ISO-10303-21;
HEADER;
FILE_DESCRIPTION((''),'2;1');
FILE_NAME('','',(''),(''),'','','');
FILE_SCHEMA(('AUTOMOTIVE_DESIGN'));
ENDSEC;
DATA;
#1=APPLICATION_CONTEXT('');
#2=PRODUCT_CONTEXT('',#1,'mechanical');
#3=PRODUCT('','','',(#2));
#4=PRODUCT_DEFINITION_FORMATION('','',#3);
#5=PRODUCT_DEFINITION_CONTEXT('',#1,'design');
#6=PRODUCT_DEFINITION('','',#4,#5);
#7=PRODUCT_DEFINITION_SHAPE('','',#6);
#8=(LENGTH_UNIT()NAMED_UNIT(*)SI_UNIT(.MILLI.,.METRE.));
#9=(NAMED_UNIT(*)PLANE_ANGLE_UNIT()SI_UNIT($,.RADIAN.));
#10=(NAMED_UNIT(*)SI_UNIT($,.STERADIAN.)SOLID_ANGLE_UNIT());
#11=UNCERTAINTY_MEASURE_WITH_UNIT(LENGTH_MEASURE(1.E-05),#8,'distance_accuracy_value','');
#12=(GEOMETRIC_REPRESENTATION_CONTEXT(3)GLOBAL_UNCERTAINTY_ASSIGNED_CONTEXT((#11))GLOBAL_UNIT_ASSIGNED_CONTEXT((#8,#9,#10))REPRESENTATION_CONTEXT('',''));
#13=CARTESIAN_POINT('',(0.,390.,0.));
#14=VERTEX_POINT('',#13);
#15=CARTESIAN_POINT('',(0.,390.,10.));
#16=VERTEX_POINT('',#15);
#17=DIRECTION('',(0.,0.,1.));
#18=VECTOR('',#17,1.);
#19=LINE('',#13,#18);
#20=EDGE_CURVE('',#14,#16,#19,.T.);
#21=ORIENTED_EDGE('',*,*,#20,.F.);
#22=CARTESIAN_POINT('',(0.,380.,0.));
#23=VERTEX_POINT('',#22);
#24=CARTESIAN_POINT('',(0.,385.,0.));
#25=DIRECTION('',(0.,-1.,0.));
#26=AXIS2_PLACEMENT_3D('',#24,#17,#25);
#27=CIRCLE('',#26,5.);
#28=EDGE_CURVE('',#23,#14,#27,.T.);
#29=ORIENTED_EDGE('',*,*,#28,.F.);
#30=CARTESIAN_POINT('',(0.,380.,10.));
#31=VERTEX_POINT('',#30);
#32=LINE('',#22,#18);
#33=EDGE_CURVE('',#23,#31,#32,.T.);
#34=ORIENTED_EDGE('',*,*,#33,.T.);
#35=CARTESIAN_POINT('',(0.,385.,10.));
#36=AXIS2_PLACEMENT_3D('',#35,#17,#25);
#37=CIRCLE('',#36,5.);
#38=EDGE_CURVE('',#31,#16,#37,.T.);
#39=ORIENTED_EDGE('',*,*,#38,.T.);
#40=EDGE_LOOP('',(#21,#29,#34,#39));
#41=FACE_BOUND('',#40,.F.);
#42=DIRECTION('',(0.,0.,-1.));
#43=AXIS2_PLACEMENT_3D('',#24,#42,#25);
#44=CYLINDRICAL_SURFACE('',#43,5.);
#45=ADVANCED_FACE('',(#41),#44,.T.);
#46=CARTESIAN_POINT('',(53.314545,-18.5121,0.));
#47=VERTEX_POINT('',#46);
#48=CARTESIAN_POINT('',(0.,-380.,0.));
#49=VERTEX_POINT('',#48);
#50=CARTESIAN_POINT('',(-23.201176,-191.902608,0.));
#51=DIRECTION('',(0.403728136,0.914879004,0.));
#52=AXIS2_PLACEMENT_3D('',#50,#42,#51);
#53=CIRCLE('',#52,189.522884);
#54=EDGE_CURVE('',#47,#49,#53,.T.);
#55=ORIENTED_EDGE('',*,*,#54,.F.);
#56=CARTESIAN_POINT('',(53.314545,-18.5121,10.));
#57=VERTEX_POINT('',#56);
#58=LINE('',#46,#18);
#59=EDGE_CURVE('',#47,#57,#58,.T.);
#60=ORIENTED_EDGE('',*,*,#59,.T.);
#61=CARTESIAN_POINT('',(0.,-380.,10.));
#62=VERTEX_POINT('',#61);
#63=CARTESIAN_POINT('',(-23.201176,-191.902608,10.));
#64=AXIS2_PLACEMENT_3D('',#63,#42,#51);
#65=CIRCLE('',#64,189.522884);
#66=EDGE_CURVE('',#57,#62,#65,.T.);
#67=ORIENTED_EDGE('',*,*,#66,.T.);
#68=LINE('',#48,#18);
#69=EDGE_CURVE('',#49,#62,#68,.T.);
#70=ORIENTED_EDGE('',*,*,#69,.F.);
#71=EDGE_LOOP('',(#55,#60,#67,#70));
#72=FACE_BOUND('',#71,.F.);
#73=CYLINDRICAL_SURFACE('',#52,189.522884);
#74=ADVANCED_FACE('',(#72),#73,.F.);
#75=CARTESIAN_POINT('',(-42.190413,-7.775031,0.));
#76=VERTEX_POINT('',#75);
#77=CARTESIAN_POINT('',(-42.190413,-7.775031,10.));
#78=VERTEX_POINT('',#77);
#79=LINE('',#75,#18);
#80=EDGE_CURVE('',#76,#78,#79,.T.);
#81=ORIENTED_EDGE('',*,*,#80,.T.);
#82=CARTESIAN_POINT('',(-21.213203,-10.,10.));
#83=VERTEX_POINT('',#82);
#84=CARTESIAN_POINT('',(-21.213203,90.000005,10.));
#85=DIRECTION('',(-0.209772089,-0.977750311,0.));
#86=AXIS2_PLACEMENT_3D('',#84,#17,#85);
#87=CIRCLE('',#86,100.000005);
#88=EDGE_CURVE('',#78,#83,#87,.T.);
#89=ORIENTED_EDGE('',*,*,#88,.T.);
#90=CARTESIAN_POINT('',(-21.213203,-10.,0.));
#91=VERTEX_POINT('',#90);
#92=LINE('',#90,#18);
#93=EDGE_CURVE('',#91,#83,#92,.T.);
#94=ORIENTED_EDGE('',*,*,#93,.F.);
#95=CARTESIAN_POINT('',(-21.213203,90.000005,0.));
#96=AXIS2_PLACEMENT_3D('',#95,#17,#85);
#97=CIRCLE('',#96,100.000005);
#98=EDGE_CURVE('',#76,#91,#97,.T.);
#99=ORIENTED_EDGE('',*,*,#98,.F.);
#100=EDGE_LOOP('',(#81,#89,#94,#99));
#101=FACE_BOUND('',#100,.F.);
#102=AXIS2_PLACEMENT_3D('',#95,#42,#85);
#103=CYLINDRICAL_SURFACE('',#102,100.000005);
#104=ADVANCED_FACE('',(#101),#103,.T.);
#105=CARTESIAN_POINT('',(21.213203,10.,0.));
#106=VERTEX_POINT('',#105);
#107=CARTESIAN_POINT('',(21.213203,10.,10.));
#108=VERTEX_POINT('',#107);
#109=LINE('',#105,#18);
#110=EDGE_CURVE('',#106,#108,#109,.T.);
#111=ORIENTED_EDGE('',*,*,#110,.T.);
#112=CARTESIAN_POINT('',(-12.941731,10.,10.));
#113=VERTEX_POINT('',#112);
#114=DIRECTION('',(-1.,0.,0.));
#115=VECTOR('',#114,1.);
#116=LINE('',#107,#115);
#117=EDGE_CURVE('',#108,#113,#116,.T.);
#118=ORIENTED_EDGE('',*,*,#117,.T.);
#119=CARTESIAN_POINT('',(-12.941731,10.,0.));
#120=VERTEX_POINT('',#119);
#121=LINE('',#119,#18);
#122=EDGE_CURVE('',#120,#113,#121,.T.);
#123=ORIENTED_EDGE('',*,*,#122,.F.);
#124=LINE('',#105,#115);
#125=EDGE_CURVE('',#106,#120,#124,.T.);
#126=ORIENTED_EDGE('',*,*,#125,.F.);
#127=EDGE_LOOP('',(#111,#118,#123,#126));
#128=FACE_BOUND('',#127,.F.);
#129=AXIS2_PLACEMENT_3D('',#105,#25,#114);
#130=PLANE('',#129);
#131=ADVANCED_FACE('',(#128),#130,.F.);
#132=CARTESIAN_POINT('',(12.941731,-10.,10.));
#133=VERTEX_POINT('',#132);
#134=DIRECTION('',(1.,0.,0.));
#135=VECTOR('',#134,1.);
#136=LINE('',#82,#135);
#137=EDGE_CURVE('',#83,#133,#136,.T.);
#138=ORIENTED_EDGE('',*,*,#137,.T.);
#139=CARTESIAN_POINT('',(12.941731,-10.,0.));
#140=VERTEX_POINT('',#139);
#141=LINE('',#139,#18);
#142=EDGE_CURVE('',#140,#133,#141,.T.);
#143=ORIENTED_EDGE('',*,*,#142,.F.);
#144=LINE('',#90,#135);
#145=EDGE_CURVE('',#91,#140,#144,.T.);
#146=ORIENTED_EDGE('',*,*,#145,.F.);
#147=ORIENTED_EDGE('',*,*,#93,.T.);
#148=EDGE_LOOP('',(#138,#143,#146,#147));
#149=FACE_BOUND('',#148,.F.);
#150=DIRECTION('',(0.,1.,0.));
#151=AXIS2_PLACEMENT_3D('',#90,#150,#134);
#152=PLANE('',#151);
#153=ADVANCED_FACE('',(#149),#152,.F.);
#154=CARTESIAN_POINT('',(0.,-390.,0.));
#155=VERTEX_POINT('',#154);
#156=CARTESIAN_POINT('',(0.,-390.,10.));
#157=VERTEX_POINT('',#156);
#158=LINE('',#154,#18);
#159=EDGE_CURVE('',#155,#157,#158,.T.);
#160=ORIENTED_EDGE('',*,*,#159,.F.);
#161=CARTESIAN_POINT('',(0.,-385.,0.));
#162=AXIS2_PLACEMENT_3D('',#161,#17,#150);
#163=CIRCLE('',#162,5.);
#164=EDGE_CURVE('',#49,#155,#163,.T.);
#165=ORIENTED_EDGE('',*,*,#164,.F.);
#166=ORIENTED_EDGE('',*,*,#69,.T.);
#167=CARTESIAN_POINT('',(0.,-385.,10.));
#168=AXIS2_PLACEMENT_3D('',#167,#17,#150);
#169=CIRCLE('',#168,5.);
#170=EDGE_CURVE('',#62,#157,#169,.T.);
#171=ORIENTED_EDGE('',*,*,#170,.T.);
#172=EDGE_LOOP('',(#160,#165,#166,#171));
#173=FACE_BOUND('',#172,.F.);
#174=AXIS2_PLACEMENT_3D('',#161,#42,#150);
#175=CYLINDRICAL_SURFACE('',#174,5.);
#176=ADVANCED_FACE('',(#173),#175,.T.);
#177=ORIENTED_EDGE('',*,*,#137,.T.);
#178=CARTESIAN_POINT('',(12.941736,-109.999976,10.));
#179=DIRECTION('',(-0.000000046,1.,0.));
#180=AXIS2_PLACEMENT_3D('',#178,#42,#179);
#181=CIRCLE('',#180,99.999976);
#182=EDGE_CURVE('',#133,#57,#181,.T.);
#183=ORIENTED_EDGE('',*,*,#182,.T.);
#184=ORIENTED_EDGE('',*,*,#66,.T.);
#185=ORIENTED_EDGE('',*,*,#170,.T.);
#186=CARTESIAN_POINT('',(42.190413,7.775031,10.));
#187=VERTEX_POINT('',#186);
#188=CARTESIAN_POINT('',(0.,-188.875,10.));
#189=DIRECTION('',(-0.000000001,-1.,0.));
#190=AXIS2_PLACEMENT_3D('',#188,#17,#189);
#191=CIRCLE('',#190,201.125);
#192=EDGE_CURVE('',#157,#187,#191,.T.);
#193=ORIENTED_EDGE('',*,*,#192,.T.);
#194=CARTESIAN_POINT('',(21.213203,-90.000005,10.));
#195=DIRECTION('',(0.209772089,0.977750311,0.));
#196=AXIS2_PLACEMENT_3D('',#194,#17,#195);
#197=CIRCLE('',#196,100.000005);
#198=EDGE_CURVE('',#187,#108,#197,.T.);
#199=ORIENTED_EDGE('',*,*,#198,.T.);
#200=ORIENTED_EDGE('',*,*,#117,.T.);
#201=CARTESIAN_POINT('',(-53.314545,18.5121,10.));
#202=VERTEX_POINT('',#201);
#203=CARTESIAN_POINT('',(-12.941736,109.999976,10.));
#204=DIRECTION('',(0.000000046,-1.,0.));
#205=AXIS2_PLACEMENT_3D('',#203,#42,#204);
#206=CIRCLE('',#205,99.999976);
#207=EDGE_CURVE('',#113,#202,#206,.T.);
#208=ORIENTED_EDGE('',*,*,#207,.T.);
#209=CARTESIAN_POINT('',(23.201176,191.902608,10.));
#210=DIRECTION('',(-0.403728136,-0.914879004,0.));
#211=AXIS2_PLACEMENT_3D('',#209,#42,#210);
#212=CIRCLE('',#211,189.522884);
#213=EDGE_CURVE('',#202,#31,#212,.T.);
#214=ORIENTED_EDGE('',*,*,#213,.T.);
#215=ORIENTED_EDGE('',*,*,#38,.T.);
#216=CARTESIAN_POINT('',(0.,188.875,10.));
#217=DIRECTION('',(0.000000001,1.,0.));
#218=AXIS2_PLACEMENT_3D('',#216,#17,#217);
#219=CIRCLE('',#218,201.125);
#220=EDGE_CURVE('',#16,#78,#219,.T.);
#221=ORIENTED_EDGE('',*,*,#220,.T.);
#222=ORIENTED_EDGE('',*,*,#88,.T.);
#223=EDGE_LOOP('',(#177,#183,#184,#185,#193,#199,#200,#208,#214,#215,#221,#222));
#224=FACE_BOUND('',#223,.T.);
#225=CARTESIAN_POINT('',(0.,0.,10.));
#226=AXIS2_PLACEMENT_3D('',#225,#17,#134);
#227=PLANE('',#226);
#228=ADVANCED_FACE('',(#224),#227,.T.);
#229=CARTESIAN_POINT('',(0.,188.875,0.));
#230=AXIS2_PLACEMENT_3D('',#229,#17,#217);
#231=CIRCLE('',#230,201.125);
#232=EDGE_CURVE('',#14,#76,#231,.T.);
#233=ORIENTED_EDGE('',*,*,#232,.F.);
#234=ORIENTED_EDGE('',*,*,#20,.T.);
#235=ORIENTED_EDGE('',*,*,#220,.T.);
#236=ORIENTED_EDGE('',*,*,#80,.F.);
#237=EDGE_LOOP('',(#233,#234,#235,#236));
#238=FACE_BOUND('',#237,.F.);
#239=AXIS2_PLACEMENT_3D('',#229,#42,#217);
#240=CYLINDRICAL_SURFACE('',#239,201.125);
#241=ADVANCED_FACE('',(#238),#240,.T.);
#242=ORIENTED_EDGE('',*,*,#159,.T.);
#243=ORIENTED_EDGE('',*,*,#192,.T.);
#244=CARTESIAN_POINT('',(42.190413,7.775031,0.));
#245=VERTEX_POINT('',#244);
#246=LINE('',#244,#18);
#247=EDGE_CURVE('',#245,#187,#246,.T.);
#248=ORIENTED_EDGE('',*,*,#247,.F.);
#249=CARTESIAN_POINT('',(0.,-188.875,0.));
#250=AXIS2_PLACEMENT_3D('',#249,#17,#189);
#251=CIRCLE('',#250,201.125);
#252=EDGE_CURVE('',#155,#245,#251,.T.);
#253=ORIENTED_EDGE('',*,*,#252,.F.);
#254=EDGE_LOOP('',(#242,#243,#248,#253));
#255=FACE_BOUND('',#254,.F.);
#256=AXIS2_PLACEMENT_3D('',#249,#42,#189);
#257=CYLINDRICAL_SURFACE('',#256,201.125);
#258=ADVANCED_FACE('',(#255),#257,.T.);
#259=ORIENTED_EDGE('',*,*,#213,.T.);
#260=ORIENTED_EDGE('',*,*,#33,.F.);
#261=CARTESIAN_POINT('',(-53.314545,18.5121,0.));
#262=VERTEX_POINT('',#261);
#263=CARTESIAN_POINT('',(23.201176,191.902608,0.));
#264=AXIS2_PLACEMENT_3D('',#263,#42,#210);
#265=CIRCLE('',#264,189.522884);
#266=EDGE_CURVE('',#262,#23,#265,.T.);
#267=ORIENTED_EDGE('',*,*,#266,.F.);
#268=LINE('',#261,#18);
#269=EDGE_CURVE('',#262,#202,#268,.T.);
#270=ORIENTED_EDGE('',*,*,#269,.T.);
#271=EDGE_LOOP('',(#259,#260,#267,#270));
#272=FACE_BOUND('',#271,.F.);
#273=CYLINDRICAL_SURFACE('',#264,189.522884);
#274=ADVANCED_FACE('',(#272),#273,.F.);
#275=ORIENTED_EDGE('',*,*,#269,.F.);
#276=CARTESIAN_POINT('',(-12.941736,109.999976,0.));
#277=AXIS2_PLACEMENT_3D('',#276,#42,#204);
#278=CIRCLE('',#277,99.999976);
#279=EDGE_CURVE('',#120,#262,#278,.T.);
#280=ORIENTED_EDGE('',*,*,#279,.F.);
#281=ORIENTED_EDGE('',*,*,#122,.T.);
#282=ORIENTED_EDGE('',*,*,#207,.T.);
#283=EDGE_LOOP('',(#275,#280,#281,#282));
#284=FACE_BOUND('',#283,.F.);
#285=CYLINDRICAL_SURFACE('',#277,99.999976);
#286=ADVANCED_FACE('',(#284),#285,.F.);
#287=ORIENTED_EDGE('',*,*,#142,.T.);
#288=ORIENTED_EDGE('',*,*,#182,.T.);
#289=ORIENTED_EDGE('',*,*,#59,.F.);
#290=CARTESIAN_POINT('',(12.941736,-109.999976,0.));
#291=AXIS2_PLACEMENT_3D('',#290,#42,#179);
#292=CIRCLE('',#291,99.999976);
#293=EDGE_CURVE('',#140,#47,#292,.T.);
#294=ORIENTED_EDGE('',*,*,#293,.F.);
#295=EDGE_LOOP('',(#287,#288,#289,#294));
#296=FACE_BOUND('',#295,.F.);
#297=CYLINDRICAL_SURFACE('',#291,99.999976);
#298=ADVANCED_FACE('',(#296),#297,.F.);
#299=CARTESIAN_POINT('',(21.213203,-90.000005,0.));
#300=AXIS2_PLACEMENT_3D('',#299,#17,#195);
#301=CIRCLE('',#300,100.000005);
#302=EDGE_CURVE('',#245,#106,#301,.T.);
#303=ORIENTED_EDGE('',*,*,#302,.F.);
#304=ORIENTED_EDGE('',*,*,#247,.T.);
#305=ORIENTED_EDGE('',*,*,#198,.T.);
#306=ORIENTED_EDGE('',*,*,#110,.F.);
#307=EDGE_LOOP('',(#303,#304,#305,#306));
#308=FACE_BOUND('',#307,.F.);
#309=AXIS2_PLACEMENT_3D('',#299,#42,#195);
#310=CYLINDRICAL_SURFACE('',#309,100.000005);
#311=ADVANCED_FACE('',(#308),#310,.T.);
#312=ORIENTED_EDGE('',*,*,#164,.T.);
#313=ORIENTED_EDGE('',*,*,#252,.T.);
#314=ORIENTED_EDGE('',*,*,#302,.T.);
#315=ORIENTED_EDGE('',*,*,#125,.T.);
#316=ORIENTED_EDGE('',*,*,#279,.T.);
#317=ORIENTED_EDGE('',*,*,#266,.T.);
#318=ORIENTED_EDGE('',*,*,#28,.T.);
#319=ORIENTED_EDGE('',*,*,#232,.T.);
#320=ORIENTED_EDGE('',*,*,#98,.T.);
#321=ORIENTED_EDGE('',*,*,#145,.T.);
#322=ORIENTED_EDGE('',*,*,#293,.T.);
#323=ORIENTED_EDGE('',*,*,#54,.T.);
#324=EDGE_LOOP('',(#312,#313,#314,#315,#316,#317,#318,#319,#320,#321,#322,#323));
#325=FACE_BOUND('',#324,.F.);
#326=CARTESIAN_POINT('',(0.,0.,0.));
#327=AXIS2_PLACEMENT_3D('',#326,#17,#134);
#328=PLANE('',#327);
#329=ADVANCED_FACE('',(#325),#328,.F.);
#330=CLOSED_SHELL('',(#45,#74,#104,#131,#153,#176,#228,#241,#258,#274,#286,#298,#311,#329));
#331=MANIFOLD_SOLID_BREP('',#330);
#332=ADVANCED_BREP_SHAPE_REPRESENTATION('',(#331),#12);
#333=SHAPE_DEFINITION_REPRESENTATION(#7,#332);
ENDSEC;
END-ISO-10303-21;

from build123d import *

# Parameters (mm, degrees)
F1_DEPTH = 10


with BuildPart() as f1:
    # F0 (on Top) → F1 (new body)
    with BuildSketch(Plane.XY):
        with BuildLine():
            ThreePointArc((0, 380), (5, 385), (0, 390))
            ThreePointArc((0, 390), (-200.003129, 210.088535), (-42.190413, -7.775031))
            ThreePointArc((-42.190413, -7.775031), (-31.760642, -9.442202), (-21.213203, -10))
            Line((-21.213203, -10), (0, -10))
            Line((0, -10), (12.941731, -10))
            ThreePointArc((12.941731, -10), (33.571927, -12.151162), (53.314545, -18.5121))
            ThreePointArc((53.314545, -18.5121), (164.293465, -219.555515), (0, -380))
            ThreePointArc((0, -380), (-5, -385), (0, -390))
            ThreePointArc((0, -390), (200.003129, -210.088535), (42.190413, 7.775031))
            ThreePointArc((42.190413, 7.775031), (31.760642, 9.442202), (21.213203, 10))
            Line((21.213203, 10), (0, 10))
            Line((0, 10), (-12.941731, 10))
            ThreePointArc((-12.941731, 10), (-33.571927, 12.151162), (-53.314545, 18.5121))
            ThreePointArc((-53.314545, 18.5121), (-164.293465, 219.555515), (0, 380))
        make_face()
    extrude(amount=F1_DEPTH)


solid = f1.part
